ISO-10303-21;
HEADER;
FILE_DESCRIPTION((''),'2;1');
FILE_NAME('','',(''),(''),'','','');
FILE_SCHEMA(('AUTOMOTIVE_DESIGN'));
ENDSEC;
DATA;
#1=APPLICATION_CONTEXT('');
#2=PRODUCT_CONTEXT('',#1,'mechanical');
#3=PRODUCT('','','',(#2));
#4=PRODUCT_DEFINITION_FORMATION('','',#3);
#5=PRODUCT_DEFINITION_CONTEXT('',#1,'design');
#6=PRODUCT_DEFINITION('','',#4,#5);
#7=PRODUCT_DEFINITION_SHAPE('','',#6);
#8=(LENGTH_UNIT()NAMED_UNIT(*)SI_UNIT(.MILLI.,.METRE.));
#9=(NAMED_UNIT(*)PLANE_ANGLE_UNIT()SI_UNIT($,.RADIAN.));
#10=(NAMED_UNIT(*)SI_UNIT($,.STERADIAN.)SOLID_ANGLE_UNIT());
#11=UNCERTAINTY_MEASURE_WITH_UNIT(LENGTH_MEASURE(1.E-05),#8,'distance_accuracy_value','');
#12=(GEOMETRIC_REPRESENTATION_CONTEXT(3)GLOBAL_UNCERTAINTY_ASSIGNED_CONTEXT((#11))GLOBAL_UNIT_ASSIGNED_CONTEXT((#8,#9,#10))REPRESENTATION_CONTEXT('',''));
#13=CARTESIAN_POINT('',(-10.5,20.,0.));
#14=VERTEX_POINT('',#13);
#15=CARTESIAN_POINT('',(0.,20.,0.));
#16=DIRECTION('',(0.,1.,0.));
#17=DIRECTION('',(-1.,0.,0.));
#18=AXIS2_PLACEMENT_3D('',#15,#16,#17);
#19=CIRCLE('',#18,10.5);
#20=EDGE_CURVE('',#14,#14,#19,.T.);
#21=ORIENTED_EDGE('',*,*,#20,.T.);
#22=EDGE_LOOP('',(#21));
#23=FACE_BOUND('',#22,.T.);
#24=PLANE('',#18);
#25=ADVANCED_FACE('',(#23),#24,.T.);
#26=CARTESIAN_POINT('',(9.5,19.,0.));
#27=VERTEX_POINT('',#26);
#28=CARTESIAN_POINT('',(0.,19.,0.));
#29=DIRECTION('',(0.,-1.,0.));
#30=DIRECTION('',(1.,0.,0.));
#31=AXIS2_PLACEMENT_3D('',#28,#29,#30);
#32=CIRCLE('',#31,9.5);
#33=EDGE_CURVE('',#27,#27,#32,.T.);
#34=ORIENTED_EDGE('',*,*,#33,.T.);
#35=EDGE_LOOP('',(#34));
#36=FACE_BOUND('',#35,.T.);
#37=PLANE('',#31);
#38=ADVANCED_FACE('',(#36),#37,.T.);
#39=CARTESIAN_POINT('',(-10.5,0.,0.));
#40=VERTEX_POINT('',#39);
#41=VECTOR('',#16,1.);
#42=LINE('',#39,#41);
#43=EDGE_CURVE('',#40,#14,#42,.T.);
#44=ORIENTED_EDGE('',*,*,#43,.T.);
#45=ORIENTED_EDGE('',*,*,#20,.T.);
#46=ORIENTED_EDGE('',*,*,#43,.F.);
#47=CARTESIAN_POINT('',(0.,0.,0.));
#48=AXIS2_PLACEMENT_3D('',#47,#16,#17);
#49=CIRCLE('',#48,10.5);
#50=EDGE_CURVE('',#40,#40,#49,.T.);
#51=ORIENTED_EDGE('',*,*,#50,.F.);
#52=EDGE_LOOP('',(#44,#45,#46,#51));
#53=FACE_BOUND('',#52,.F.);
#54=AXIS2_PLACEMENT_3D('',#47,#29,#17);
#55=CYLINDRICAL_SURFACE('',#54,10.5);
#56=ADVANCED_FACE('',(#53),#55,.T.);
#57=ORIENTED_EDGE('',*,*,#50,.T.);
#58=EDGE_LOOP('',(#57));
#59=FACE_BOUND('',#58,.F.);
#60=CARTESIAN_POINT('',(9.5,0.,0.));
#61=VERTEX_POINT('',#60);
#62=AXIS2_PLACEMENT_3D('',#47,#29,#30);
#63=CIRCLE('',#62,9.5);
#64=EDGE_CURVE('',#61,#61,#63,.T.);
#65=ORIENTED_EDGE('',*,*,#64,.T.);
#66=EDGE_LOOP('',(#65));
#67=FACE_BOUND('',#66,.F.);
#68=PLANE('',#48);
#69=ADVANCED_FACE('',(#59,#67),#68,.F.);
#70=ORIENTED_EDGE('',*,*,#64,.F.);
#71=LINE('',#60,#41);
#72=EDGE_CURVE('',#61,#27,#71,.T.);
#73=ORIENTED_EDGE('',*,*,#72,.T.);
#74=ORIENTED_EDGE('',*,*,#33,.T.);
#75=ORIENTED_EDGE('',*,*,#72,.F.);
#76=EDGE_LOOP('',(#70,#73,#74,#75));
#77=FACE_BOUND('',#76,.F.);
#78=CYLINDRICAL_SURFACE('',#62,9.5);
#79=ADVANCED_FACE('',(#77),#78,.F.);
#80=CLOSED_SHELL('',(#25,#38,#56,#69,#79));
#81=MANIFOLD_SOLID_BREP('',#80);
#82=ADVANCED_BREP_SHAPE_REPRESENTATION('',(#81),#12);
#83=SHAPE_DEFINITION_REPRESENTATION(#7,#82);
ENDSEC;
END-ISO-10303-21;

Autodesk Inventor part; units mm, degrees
ref_plane "YZ Plane" through (0, 0, 0) normal (1, 0, 0) x (0, 1, 0)
ref_plane "XZ Plane" through (0, 0, 0) normal (0, 1, 0) x (-1, 0, 0)
ref_plane "XY Plane" through (0, 0, 0) normal (0, 0, 1) x (1, 0, 0)
sketch "Sketch1" plane through (0, 0, 0) normal (0, 1, 0) x (-1, 0, 0)
  circle A0 centre (0, 0) radius 10.5
extrude "Extrusion1" add sketch "Sketch1" along normal blind 20
sketch "Sketch2" plane through (0, 0, 0) normal (0, -1, 0) x (1, 0, 0)
  circle A0 centre (0, 0) radius 9.5
extrude "Extrusion2" cut sketch "Sketch2" against normal blind 19
properties part number "Light_Blocking_Cap"
